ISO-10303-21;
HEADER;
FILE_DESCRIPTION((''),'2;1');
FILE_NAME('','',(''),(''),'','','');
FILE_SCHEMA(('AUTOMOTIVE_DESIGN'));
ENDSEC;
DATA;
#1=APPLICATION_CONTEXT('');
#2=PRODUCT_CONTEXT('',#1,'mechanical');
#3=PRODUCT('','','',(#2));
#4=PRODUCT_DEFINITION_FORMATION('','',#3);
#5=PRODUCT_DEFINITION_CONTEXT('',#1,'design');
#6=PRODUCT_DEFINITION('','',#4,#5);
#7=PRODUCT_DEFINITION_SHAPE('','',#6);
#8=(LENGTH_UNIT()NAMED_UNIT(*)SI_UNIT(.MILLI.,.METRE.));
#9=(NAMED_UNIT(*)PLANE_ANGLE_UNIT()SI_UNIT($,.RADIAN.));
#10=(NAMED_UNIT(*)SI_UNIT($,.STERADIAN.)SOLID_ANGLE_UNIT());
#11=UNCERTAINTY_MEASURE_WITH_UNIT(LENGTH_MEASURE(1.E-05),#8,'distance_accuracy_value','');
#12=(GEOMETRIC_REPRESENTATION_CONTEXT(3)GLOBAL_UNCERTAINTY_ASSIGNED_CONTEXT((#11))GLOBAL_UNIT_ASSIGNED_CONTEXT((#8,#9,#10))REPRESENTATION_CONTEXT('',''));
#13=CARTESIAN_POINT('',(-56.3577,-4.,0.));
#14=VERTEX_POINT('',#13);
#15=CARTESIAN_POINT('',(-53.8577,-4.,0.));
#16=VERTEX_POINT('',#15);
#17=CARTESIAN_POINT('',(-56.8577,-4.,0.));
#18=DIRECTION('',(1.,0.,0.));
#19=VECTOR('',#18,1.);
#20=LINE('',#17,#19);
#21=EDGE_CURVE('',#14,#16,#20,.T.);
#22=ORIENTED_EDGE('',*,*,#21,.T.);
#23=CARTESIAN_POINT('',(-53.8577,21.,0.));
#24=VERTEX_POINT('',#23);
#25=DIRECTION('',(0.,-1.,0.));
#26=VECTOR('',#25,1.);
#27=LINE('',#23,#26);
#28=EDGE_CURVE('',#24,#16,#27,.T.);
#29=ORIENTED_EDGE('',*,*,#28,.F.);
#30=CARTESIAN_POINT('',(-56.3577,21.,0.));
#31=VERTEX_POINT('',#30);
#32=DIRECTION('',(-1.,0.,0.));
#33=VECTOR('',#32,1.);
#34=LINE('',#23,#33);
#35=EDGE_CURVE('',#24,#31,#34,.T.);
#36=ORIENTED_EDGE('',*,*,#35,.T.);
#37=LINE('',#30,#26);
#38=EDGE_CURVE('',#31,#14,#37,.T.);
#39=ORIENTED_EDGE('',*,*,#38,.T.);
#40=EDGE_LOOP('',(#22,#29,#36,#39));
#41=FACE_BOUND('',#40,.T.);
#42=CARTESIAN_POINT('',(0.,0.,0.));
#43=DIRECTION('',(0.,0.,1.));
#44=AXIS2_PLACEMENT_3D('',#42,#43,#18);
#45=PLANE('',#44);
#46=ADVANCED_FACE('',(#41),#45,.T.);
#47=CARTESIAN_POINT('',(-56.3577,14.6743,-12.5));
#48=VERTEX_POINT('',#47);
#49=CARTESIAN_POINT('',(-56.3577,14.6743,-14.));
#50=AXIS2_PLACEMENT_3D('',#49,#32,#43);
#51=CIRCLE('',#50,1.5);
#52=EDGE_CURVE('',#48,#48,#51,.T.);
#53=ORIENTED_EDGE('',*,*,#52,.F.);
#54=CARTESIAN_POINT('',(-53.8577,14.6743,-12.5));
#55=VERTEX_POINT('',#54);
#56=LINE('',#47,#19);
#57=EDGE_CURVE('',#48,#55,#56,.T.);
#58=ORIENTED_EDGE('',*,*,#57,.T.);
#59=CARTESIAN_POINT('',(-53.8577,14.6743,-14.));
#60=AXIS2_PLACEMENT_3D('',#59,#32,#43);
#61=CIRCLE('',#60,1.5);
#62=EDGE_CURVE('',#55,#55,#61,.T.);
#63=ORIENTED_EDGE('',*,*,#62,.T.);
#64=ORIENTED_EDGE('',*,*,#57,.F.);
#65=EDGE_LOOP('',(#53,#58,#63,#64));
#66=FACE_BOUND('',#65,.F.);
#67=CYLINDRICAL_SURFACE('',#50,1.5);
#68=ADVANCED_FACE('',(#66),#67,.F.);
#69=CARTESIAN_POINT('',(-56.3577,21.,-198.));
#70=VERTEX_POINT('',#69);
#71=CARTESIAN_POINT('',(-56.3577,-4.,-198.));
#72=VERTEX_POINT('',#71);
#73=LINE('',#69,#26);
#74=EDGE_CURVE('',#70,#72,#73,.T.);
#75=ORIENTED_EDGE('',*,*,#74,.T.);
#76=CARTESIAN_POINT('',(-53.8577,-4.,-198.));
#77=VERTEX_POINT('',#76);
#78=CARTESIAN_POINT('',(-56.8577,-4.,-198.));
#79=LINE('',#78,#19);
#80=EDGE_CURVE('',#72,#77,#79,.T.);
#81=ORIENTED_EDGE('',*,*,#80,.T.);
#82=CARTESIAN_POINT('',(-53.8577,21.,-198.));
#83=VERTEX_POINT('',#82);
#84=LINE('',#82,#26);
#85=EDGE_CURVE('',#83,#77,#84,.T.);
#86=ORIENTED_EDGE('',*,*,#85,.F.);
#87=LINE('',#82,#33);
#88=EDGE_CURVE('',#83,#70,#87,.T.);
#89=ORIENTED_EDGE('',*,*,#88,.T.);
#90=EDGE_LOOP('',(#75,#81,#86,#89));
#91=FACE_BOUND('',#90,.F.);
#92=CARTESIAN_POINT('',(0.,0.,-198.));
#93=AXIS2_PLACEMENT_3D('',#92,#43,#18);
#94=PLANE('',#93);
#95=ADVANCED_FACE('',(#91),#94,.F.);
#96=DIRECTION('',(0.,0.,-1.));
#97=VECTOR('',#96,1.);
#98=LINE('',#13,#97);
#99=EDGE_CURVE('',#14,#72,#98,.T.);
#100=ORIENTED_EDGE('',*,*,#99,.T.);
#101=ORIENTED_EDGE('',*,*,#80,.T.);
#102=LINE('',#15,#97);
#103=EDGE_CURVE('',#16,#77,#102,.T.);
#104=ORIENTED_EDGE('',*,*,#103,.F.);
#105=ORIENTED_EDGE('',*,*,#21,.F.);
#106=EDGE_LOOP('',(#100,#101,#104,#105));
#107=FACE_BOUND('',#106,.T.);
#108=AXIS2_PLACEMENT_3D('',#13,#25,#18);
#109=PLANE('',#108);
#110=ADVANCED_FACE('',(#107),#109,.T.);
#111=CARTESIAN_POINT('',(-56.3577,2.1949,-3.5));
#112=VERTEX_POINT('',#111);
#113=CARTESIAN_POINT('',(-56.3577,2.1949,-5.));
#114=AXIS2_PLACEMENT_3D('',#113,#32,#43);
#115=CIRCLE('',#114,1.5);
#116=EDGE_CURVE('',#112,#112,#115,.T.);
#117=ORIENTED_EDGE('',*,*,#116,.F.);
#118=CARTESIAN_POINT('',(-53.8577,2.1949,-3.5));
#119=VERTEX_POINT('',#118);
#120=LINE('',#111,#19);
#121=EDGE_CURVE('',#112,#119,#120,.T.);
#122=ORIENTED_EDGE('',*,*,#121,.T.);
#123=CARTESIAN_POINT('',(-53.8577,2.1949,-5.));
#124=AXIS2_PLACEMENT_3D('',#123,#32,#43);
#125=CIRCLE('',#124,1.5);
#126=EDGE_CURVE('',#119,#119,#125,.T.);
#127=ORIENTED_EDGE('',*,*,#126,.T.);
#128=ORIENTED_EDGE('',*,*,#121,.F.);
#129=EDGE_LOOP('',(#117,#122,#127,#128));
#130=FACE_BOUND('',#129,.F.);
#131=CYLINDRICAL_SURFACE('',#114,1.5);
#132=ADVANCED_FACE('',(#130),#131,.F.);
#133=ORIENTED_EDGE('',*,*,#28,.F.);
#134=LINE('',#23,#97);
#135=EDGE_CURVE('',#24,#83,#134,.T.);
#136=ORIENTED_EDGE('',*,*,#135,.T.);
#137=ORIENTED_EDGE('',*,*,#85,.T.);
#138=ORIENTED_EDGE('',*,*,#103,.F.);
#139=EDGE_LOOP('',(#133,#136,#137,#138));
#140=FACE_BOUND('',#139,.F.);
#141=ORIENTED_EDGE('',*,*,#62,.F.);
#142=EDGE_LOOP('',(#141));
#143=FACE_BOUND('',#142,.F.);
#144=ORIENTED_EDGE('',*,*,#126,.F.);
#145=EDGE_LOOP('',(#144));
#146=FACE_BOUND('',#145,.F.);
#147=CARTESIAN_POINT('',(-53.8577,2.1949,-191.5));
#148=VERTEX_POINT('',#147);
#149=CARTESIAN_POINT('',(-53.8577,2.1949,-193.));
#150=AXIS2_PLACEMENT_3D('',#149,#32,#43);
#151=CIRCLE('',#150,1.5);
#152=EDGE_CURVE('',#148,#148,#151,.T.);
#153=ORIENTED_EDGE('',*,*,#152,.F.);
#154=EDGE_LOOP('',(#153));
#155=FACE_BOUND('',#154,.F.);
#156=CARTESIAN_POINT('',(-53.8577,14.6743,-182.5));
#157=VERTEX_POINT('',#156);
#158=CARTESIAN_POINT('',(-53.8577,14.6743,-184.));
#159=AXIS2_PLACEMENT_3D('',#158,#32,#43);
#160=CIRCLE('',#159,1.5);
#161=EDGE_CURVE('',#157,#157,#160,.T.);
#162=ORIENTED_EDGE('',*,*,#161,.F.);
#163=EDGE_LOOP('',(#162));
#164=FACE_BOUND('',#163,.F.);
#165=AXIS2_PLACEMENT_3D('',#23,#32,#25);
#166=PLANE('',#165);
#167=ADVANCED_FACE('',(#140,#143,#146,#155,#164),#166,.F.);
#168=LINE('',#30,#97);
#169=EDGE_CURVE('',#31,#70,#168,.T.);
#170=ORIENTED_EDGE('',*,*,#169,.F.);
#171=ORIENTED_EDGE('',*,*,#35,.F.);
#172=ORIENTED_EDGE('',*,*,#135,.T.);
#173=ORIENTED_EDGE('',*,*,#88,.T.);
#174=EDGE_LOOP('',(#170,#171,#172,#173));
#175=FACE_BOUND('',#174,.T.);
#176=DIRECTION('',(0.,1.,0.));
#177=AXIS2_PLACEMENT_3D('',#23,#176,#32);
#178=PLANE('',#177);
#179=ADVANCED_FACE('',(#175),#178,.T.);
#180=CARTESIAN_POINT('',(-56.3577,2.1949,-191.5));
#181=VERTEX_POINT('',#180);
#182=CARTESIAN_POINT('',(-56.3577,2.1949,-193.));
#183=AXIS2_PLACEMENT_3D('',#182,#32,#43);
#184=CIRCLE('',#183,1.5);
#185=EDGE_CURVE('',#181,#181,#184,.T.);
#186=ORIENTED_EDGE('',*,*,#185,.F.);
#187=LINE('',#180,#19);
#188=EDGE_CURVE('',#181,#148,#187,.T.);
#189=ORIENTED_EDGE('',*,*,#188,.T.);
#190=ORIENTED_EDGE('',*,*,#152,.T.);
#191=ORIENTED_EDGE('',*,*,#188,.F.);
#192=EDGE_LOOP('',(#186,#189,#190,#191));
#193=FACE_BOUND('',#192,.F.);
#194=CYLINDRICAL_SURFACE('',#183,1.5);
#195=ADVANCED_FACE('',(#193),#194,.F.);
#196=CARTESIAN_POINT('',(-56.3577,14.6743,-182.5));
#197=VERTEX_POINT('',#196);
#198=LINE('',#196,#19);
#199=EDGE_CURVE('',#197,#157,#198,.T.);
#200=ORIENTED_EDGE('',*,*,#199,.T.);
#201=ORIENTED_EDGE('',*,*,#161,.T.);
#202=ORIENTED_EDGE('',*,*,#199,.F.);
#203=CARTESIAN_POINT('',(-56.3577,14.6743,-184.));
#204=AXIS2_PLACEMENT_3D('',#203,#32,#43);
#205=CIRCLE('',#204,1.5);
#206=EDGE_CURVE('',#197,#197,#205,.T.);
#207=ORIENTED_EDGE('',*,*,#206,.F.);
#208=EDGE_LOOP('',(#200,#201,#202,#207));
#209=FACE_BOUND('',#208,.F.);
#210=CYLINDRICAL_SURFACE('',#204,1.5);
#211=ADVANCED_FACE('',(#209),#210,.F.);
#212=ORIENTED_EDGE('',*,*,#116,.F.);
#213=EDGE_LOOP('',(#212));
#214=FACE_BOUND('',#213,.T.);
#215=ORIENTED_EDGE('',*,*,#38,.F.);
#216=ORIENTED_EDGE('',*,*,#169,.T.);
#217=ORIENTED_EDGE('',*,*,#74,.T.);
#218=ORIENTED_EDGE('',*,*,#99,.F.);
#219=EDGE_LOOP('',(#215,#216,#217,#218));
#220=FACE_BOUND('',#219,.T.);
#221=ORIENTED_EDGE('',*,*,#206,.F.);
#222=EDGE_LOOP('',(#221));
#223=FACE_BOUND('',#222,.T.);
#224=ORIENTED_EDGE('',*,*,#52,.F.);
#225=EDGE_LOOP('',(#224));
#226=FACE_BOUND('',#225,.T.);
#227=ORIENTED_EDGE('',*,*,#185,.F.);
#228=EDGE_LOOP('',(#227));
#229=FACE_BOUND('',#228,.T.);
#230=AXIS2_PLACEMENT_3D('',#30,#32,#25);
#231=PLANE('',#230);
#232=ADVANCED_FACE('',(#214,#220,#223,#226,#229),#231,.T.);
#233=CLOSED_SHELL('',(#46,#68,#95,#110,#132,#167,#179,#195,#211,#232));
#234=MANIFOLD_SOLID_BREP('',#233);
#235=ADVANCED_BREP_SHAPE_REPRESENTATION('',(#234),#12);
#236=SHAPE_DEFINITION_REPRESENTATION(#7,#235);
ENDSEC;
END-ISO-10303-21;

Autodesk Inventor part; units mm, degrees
ref_plane "YZ Plane" through (0, 0, 0) normal (1, 0, 0) x (0, 1, 0)
ref_plane "XZ Plane" through (0, 0, 0) normal (0, 1, 0) x (-1, 0, 0)
sketch "スケッチ1" plane through (0, 0, 0) normal (0, 0, 1) x (1, 0, 0)
  line L0 (-53.8577, -21) -> (53.8577, -21) projected
  line L1 (53.8577, -21) -> (53.8577, -19.5) projected
  line L2 (53.8577, -19.5) -> (45.423, -16.1743) projected
  line L3 (45.423, -16.1743) -> (44.506, -18.5) projected
  line L4 (44.506, -18.5) -> (-49.7747, 18.6743) projected
  line L5 (-49.7747, 18.6743) -> (-48.8577, 21) projected
  line L6 (-48.8577, 21) -> (-53.8577, 21) projected
  line L7 (-53.8577, 21) -> (-53.8577, -21) projected
  line L8 (-42.0411, 10.2503) -> (14.7433, -12.1394) projected
  arc A0 (14.0097, -16) -> (14.7433, -12.1394) centre (14.0097, -14) ccw projected
  line L9 (14.0097, -16) -> (-42.7747, -16) projected
  arc A1 (-44.7747, -14) -> (-42.7747, -16) centre (-42.7747, -14) ccw projected
  line L10 (-44.7747, -14) -> (-44.7747, 8.3897) projected
  arc A2 (-42.0411, 10.2503) -> (-44.7747, 8.3897) centre (-42.7747, 8.3897) ccw projected
  arc A3 (-76.8577, -9) -> (-66.8577, -11) centre (-66.8577, 15) ccw projected
  arc A4 (-86.8577, -11) -> (-76.8577, -9) centre (-86.8577, 15) ccw projected
  line L11 (-86.8577, -13) -> (-86.8577, -11) projected
  line L12 (-86.8577, -13) -> (-66.8577, -13) projected
  line L13 (-66.8577, -21) -> (-66.8577, -13) projected
  line L14 (-53.8577, -21) -> (-66.8577, -21) projected
  line L15 (-53.8577, -4) -> (-53.8577, -21) projected
  line L16 (-56.8577, -4) -> (-53.8577, -4) projected
  line L17 (-56.8577, -11) -> (-56.8577, -4) projected
  line L18 (-66.8577, -11) -> (-56.8577, -11) projected
  line L19 (-53.8577, 21) -> (-56.3577, 21)
  line L20 (-56.3577, 21) -> (-56.3577, -4)
  line L21 (-56.3577, -4) -> (-53.8577, -4)
  line L22 (-53.8577, -4) -> (-53.8577, 21)
  point P0 (0, 0)
  dimension "d0" = 2.5
ref_plane "作業平面1" through (-53.8577, -21, -198) normal (0, 0, -1) x (0, 1, 0)
extrude "押し出し1" add sketch "スケッチ1" against normal up to surface (198 mm away) contours L16 L20 L19 L7
sketch "スケッチ2" plane through (-56.3577, -4, 0) normal (-1, 0, 0) x (0, 0, 1)
  line L0 (-198, 25) -> (-198, 0) projected
  line L1 (0, 0) -> (-198, 0) projected
  line L2 (0, 25) -> (0, 0) projected
  line L3 (0, 25) -> (-198, 25) projected
  line L4 (-198, -10) -> (-188, -10) projected
  line L5 (-198, 12.3897) -> (-198, -10) projected
  line L6 (-188, 12.3897) -> (-198, 12.3897) projected
  line L7 (-188, -10) -> (-188, 12.3897) projected
  line L8 (-10, -10) -> (0, -10) projected
  line L9 (-10, 12.3897) -> (-10, -10) projected
  line L10 (0, 12.3897) -> (-10, 12.3897) projected
  line L11 (0, -10) -> (0, 12.3897) projected
  line L12 (0, 0) -> (-198, 0) projected
  line L13 (-198, 12.3897) -> (-188, 12.3897)
  line L14 (-188, 12.3897) -> (-188, 0)
  line L15 (-188, 0) -> (-198, 0)
  line L16 (-198, 0) -> (-198, 12.3897)
  line L17 (0, 12.3897) -> (-10, 12.3897)
  line L18 (-10, 12.3897) -> (-10, 0)
  line L19 (-10, 0) -> (0, 0)
  line L20 (0, 0) -> (0, 12.3897)
  circle A0 centre (-193, 6.1949) radius 1.5
  circle A1 centre (-5, 6.1949) radius 1.5
  point P0 (0, 4)
  dimension "d3" = 3
  dimension "d4" = 3
extrude "押し出し2" cut sketch "スケッチ2" against normal blind 2.5 contours A0 | A1
sketch "スケッチ3" plane through (-56.3577, -4, 0) normal (-1, 0, 0) x (0, 0, 1)
  circle A0 centre (-184, 18.6743) radius 1.5 projected
  circle A1 centre (-14, 18.6743) radius 1.5 projected
  point P0 (0, 4)
extrude "押し出し3" cut sketch "スケッチ3" against normal blind 2.5
properties part number "Side_Wall_Riner" material "木材 (カエデ材)"
